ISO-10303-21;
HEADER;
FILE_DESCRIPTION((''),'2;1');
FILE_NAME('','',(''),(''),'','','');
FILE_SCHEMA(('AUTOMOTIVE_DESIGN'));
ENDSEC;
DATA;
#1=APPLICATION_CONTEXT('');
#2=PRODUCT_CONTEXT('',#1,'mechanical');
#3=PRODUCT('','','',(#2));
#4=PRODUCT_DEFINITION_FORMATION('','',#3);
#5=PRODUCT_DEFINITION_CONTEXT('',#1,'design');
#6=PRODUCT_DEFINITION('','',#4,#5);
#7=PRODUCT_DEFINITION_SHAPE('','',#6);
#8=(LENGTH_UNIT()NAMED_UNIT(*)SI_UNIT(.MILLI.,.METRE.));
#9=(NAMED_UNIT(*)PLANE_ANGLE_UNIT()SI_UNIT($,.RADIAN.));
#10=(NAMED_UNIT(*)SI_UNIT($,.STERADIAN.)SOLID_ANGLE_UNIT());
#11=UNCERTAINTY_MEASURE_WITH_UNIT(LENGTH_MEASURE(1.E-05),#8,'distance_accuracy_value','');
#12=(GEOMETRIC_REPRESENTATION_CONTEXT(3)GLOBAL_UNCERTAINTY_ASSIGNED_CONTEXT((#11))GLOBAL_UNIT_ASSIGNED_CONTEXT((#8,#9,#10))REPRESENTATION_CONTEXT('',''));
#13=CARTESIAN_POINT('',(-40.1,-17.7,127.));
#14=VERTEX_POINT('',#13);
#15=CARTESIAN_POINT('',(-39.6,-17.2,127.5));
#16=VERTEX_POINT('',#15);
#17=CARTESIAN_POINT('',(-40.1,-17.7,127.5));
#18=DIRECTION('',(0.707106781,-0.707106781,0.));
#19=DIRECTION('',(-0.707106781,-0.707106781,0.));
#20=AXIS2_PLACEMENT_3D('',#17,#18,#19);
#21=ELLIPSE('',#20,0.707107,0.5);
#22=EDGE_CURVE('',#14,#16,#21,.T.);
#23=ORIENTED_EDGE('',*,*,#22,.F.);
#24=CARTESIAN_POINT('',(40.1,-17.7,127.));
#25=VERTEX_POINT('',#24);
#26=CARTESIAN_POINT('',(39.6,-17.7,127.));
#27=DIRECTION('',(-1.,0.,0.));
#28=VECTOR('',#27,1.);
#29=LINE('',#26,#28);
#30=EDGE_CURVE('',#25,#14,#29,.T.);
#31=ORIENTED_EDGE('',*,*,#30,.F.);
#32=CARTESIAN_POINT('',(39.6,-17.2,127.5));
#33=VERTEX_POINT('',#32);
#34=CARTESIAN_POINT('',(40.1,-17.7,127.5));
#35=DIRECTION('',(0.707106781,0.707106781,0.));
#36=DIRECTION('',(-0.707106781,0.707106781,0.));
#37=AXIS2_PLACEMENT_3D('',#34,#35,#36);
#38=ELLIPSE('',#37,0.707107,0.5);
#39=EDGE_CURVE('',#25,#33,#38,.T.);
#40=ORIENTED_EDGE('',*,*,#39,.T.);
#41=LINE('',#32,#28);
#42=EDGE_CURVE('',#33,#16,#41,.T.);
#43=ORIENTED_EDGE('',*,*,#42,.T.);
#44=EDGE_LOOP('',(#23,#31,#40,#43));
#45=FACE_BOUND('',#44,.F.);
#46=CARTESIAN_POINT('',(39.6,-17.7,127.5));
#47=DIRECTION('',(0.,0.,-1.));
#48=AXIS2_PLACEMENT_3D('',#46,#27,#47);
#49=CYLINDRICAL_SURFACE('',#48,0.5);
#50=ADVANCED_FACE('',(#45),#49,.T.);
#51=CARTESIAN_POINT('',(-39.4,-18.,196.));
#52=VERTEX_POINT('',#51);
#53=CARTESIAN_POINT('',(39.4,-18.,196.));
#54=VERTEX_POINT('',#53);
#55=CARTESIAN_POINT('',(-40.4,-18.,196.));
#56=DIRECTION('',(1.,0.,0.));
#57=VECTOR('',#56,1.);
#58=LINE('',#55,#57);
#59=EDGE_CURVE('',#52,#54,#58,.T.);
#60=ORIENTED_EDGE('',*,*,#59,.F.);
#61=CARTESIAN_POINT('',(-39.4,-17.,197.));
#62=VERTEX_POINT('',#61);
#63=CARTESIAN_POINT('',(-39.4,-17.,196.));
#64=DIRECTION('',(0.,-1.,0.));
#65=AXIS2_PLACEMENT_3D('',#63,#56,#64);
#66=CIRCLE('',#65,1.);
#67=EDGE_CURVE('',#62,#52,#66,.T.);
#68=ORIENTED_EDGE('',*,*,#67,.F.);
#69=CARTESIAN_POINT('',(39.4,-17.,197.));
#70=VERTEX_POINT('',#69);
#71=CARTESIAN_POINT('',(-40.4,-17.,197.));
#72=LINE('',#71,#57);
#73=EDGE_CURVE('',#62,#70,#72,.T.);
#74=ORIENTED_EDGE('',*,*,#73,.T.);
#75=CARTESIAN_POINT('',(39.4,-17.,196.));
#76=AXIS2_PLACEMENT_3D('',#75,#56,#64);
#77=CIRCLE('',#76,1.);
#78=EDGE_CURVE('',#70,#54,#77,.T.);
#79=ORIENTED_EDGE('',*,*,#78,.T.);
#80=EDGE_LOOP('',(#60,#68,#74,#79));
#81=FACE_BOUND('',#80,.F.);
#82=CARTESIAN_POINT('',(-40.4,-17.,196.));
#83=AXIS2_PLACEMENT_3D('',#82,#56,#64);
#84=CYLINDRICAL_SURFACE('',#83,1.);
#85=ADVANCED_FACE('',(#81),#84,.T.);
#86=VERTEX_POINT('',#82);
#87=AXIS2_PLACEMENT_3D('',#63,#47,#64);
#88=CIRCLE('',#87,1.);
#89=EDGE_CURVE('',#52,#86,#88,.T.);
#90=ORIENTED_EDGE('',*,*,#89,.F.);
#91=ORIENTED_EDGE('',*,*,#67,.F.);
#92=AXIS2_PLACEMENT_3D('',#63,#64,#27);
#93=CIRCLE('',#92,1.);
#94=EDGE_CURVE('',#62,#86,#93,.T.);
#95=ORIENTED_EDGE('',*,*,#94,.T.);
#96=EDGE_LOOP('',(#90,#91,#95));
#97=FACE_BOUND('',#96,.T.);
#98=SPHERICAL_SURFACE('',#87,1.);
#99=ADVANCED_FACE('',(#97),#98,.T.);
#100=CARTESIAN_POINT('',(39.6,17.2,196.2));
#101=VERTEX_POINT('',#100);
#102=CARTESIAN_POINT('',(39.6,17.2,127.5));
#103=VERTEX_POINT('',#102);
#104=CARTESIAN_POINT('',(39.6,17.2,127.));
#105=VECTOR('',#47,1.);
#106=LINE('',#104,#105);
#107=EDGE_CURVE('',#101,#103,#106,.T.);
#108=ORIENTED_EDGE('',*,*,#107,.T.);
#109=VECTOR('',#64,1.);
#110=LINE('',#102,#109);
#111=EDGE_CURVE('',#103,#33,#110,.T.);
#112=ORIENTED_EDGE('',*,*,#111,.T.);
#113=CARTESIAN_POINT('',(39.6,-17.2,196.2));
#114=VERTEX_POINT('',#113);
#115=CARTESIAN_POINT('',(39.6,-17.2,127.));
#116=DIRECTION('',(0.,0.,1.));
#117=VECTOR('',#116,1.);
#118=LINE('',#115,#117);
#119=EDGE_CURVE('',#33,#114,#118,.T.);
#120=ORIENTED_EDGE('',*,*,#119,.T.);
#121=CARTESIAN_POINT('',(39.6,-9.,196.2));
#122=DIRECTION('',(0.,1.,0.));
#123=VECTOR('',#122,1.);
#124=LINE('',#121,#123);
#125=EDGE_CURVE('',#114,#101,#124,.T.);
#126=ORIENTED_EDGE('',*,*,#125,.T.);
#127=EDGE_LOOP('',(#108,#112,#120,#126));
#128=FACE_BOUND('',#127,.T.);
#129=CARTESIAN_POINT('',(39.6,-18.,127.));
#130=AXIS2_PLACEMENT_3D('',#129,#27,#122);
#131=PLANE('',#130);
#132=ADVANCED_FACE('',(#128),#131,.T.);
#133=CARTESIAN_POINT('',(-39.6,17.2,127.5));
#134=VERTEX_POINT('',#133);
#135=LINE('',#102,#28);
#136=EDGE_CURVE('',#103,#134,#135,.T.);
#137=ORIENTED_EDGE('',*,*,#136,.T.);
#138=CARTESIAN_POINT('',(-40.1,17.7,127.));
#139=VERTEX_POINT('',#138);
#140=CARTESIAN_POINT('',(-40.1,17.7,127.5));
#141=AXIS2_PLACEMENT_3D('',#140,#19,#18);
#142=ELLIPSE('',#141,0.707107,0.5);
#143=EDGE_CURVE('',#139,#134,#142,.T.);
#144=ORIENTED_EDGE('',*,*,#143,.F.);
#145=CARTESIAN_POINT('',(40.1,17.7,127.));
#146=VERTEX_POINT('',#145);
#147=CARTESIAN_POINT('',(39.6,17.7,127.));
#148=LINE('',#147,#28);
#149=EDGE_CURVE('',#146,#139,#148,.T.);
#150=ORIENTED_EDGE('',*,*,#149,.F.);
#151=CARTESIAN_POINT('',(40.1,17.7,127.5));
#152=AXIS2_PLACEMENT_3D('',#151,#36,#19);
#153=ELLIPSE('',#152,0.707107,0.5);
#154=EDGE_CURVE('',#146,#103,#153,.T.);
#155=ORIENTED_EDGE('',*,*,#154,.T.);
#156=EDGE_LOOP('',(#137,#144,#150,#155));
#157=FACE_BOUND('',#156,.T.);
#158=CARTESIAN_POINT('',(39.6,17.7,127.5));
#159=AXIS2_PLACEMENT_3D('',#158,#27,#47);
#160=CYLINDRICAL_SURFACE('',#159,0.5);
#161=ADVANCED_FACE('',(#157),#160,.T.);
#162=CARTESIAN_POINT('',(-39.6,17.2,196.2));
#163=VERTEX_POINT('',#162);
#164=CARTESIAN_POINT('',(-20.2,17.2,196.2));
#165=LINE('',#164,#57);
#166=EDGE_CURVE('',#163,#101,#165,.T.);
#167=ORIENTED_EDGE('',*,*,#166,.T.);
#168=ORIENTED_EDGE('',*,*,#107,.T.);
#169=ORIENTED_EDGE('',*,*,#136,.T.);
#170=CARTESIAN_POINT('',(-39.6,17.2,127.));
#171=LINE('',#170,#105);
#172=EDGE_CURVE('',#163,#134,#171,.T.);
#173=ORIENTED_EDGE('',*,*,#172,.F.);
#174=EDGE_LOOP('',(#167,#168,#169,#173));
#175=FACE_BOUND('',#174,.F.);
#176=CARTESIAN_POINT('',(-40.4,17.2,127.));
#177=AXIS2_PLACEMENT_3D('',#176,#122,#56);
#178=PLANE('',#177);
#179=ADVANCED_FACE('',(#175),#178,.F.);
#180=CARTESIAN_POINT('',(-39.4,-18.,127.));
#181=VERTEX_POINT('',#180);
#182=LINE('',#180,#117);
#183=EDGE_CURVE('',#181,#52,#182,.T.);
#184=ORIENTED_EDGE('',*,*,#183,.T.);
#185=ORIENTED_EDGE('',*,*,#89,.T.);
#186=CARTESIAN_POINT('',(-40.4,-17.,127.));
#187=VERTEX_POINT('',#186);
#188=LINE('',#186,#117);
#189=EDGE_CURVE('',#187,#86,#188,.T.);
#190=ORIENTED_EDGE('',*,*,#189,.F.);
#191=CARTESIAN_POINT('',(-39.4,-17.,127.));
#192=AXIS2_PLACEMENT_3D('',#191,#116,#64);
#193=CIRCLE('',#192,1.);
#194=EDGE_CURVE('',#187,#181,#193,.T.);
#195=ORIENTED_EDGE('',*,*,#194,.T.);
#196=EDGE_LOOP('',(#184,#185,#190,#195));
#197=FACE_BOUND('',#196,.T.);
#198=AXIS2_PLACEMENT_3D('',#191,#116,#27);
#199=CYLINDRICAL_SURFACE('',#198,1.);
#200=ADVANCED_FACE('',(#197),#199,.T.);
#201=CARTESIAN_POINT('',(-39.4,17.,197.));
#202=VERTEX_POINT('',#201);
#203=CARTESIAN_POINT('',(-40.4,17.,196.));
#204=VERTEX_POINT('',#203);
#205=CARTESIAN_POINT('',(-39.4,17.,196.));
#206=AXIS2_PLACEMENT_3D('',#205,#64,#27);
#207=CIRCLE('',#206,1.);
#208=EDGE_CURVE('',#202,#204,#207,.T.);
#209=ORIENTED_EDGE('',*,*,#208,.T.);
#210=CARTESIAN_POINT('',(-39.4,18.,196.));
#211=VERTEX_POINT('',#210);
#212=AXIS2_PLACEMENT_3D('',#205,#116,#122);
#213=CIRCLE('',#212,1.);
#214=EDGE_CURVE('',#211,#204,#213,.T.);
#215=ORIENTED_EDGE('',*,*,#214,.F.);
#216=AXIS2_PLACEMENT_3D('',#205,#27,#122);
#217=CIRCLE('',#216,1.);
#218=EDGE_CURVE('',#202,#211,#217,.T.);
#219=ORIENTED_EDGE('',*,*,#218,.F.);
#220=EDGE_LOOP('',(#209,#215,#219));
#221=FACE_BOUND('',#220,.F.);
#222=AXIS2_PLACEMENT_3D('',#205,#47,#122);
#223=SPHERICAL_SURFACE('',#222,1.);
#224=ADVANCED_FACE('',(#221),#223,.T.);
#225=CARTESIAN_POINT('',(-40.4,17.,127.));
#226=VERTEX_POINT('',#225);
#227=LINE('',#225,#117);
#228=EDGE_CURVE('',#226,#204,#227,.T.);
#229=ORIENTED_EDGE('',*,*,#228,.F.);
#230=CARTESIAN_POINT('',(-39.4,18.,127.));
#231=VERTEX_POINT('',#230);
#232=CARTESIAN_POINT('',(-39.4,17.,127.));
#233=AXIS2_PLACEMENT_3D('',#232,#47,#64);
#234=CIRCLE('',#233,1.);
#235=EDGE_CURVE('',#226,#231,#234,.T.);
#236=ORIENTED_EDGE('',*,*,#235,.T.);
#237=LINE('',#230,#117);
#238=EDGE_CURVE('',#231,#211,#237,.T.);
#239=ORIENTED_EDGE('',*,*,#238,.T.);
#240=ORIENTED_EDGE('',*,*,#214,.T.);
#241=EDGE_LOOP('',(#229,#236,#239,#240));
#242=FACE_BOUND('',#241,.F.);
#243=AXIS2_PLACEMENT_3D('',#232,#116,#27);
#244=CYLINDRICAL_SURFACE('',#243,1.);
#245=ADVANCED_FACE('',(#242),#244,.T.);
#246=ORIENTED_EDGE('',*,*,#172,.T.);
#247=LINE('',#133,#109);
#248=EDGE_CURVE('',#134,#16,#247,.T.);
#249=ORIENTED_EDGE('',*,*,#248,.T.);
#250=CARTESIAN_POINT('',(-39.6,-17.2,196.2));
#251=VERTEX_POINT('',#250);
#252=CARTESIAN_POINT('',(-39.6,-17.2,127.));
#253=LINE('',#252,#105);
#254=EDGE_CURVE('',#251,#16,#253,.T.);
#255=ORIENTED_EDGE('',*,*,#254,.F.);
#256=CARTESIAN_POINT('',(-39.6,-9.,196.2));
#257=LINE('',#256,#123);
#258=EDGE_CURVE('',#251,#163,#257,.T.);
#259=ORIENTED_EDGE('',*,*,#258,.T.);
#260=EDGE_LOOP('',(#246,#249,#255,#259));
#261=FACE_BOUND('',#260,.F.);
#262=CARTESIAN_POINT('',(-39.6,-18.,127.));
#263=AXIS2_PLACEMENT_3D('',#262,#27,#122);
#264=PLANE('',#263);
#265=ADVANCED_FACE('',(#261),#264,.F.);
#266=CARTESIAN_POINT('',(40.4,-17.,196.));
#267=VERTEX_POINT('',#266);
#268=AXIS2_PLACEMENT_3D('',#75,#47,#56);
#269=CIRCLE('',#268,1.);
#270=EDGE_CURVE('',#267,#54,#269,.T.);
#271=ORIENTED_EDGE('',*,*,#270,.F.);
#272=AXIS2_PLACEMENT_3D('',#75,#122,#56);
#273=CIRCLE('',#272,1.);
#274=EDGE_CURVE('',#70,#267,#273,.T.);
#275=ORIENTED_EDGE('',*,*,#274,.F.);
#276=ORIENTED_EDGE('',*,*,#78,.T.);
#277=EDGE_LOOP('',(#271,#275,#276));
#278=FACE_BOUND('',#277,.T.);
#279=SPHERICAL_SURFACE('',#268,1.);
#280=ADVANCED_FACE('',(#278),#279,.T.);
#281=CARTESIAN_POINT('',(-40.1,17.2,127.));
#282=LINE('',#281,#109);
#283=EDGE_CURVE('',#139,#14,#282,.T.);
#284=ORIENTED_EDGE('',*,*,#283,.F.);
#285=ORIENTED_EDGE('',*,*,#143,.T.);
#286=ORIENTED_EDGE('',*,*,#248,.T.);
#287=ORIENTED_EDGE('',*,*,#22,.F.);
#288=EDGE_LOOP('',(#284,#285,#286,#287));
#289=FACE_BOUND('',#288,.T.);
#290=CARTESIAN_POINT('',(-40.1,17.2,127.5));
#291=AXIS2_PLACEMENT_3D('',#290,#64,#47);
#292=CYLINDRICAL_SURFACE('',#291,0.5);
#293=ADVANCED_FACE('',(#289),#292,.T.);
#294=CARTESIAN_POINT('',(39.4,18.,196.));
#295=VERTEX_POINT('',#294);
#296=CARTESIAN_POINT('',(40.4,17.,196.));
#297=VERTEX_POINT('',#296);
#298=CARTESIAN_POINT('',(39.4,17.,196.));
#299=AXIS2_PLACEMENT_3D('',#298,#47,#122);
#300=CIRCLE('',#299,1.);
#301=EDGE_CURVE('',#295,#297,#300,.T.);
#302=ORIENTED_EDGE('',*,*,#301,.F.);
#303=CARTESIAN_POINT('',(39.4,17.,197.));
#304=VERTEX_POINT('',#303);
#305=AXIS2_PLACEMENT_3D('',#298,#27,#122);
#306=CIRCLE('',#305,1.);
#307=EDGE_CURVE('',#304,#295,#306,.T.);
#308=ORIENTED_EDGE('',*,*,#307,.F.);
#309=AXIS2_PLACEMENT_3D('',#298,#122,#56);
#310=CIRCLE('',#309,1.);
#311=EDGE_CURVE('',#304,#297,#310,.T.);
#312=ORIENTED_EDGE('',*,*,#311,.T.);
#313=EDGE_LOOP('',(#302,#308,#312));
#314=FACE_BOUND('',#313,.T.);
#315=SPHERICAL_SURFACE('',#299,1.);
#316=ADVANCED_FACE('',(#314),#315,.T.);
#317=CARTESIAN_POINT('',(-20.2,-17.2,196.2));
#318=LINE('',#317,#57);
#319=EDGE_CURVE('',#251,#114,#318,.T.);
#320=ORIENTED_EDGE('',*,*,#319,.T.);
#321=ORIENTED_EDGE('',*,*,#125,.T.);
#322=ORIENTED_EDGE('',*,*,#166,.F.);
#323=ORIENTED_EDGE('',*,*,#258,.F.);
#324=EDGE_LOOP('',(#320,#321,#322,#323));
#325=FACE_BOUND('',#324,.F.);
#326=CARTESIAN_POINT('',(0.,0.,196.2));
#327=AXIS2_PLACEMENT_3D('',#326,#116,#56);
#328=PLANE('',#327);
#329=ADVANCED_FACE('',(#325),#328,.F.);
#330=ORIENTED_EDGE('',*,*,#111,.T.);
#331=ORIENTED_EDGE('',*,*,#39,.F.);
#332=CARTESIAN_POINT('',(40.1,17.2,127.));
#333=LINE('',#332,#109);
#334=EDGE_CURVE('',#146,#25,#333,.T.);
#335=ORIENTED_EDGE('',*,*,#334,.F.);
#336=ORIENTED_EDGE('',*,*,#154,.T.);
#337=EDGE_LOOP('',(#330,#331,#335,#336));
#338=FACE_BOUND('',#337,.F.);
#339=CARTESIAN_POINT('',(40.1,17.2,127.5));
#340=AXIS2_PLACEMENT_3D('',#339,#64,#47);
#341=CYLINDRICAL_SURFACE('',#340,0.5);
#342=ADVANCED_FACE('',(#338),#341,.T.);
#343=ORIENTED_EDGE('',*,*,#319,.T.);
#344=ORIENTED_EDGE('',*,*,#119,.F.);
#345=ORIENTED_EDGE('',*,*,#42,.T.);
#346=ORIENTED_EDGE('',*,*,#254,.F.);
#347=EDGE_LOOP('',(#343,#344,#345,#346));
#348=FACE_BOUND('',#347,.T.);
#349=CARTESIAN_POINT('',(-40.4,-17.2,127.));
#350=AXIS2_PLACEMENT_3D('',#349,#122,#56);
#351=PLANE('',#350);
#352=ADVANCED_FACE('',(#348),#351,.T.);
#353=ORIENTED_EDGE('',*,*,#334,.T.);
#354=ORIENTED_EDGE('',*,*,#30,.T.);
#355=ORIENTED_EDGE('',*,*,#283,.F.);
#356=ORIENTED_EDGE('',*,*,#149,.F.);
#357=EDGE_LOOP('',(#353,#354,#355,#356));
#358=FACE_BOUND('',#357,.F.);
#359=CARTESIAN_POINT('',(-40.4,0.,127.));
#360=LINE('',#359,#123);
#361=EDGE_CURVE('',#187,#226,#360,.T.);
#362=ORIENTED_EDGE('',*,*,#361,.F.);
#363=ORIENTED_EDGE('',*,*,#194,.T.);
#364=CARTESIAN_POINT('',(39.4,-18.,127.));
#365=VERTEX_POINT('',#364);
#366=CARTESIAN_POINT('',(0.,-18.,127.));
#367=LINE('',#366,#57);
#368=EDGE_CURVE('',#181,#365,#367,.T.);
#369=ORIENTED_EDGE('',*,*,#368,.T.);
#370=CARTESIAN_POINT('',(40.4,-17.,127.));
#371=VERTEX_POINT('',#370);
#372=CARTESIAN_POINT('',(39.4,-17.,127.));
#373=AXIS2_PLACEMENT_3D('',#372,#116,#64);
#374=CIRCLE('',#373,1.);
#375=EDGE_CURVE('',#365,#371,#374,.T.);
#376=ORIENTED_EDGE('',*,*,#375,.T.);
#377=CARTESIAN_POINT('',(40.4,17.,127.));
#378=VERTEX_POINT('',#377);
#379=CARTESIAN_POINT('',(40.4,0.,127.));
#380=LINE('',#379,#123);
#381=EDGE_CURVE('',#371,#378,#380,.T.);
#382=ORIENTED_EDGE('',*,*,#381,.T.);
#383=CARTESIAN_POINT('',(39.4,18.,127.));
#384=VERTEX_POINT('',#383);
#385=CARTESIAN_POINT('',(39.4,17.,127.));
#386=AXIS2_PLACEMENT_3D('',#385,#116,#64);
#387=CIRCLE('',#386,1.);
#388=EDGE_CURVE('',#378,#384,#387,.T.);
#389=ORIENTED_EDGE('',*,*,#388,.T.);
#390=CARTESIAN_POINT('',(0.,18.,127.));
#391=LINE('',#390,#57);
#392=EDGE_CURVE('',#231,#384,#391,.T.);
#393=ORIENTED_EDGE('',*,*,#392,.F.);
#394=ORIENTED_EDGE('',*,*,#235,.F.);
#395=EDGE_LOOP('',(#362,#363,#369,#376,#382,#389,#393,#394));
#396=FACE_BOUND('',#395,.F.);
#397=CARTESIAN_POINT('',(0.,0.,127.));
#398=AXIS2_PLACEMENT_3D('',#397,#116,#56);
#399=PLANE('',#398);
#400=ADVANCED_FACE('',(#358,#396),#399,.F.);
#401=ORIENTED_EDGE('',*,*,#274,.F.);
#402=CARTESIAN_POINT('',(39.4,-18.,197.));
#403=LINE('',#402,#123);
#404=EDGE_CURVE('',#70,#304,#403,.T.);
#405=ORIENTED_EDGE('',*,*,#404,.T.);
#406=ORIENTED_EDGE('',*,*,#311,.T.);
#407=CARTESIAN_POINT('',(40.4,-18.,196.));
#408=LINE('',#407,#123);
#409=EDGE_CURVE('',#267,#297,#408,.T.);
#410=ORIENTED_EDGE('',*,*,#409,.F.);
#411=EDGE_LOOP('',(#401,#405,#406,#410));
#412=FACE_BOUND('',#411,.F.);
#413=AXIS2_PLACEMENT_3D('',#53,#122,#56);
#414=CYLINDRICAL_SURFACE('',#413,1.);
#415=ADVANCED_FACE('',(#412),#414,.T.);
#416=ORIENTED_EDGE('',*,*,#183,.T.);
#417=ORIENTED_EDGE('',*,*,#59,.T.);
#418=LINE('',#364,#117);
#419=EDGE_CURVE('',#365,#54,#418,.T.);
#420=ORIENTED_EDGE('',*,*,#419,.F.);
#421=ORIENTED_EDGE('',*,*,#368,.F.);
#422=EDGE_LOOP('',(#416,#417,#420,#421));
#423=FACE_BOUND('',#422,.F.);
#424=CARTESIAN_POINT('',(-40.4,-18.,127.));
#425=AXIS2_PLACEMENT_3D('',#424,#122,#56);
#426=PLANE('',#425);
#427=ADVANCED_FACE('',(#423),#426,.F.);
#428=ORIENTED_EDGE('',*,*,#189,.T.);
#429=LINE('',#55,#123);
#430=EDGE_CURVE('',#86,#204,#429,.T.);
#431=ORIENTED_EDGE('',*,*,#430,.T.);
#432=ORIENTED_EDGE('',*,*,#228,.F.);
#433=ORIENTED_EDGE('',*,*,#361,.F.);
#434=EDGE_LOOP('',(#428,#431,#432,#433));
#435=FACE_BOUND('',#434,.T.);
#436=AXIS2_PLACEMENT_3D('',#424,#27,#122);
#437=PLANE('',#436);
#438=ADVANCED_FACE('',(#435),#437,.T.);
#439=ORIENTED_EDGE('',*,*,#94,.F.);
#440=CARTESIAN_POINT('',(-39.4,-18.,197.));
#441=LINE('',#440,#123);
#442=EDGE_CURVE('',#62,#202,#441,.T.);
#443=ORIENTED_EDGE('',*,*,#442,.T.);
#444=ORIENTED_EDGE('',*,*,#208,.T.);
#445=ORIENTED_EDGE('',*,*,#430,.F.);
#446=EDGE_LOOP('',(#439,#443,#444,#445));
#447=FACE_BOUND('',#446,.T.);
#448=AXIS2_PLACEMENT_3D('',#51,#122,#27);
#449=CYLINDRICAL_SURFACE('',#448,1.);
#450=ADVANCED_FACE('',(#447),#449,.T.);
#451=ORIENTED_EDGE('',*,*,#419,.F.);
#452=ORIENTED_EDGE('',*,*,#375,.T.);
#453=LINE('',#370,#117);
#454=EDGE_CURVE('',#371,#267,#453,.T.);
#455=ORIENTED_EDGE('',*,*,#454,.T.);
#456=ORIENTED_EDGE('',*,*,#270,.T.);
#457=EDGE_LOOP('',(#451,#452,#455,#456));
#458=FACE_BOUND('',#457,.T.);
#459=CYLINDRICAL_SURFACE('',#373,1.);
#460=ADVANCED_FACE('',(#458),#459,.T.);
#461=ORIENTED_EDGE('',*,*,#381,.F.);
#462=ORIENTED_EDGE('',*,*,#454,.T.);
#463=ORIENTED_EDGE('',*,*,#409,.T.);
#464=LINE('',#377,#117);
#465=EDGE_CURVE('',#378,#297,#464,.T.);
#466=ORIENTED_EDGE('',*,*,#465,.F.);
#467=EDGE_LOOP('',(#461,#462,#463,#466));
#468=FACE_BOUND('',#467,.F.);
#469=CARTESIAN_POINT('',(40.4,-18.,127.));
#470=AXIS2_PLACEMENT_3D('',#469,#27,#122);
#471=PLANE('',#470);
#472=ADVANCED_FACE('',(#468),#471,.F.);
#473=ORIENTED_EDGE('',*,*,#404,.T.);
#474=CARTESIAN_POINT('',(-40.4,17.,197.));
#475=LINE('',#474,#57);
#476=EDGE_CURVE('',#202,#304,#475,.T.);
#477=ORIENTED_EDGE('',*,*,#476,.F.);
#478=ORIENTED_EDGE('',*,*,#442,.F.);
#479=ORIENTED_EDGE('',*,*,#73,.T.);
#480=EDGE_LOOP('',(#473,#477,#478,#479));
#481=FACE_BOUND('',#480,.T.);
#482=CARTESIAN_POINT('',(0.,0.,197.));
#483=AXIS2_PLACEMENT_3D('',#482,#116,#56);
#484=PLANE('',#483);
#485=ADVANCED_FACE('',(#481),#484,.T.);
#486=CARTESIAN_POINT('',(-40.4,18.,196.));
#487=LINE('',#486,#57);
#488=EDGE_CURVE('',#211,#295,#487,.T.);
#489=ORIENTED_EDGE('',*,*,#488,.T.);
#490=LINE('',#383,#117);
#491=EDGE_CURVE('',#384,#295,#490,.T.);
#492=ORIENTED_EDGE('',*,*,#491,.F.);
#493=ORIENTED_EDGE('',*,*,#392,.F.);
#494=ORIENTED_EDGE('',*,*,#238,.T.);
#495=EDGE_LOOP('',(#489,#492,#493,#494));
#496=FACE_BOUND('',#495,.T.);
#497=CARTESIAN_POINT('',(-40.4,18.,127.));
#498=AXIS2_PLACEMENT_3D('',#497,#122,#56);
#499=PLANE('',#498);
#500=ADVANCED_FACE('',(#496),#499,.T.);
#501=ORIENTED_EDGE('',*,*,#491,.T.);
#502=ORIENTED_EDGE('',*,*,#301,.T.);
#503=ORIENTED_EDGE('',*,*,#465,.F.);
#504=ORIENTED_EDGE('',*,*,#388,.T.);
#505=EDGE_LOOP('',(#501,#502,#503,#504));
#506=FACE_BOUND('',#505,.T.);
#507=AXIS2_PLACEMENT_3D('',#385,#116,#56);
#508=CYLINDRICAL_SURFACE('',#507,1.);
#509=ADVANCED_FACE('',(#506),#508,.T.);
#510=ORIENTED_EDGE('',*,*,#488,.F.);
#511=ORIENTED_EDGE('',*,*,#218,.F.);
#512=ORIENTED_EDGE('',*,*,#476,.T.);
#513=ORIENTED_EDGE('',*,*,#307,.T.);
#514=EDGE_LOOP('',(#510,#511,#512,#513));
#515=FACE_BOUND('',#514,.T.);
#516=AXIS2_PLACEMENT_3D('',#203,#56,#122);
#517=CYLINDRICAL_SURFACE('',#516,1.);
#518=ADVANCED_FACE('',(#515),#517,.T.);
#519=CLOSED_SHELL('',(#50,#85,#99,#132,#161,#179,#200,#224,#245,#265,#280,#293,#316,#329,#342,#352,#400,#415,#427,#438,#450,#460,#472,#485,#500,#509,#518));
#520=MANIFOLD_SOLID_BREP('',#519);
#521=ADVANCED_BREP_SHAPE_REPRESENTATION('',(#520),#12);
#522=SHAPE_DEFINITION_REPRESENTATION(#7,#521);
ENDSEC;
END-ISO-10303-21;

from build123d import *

# Parameters (mm, degrees)
SKETCH002_W    = 80.8
SKETCH002_H    = 36
PAD001_DEPTH   = 70
THICKNESS001_T = -0.8
FILLET_R       = 1
FILLET005_R    = 0.5


with BuildPart() as part:
    # Sketch002 → Pad001 (new body)
    with BuildSketch(Plane.XY):
        Rectangle(SKETCH002_W, SKETCH002_H)
    extrude(amount=PAD001_DEPTH)

    # Thickness001
    thickness001_openings = [part.faces().sort_by_distance(p)[0] for p in [
        (0, 0, 0),
    ]]
    offset(amount=THICKNESS001_T, openings=thickness001_openings, kind=Kind.INTERSECTION)

    # Fillet
    fillet_edges = [part.edges().sort_by_distance(p)[0] for p in [
        (-40.4, 18, 35),
        (-40.4, -18, 35),
        (40.4, 18, 35),
        (0, 18, 70),
        (40.4, -18, 35),
        (40.4, 0, 70),
        (0, -18, 70),
        (-40.4, 0, 70),
    ]]
    fillet(fillet_edges, radius=FILLET_R)

    # Fillet005
    fillet005_edges = [part.edges().sort_by_distance(p)[0] for p in [
        (0, -17.2, 0),
        (-39.6, 0, 0),
        (39.6, 0, 0),
        (0, 17.2, 0),
    ]]
    fillet(fillet005_edges, radius=FILLET005_R)


with BuildPart() as part_1:
    # Body001 placement: moved
    add(part.part.moved(Location((0, 0, 127))))


solid = part_1.part
